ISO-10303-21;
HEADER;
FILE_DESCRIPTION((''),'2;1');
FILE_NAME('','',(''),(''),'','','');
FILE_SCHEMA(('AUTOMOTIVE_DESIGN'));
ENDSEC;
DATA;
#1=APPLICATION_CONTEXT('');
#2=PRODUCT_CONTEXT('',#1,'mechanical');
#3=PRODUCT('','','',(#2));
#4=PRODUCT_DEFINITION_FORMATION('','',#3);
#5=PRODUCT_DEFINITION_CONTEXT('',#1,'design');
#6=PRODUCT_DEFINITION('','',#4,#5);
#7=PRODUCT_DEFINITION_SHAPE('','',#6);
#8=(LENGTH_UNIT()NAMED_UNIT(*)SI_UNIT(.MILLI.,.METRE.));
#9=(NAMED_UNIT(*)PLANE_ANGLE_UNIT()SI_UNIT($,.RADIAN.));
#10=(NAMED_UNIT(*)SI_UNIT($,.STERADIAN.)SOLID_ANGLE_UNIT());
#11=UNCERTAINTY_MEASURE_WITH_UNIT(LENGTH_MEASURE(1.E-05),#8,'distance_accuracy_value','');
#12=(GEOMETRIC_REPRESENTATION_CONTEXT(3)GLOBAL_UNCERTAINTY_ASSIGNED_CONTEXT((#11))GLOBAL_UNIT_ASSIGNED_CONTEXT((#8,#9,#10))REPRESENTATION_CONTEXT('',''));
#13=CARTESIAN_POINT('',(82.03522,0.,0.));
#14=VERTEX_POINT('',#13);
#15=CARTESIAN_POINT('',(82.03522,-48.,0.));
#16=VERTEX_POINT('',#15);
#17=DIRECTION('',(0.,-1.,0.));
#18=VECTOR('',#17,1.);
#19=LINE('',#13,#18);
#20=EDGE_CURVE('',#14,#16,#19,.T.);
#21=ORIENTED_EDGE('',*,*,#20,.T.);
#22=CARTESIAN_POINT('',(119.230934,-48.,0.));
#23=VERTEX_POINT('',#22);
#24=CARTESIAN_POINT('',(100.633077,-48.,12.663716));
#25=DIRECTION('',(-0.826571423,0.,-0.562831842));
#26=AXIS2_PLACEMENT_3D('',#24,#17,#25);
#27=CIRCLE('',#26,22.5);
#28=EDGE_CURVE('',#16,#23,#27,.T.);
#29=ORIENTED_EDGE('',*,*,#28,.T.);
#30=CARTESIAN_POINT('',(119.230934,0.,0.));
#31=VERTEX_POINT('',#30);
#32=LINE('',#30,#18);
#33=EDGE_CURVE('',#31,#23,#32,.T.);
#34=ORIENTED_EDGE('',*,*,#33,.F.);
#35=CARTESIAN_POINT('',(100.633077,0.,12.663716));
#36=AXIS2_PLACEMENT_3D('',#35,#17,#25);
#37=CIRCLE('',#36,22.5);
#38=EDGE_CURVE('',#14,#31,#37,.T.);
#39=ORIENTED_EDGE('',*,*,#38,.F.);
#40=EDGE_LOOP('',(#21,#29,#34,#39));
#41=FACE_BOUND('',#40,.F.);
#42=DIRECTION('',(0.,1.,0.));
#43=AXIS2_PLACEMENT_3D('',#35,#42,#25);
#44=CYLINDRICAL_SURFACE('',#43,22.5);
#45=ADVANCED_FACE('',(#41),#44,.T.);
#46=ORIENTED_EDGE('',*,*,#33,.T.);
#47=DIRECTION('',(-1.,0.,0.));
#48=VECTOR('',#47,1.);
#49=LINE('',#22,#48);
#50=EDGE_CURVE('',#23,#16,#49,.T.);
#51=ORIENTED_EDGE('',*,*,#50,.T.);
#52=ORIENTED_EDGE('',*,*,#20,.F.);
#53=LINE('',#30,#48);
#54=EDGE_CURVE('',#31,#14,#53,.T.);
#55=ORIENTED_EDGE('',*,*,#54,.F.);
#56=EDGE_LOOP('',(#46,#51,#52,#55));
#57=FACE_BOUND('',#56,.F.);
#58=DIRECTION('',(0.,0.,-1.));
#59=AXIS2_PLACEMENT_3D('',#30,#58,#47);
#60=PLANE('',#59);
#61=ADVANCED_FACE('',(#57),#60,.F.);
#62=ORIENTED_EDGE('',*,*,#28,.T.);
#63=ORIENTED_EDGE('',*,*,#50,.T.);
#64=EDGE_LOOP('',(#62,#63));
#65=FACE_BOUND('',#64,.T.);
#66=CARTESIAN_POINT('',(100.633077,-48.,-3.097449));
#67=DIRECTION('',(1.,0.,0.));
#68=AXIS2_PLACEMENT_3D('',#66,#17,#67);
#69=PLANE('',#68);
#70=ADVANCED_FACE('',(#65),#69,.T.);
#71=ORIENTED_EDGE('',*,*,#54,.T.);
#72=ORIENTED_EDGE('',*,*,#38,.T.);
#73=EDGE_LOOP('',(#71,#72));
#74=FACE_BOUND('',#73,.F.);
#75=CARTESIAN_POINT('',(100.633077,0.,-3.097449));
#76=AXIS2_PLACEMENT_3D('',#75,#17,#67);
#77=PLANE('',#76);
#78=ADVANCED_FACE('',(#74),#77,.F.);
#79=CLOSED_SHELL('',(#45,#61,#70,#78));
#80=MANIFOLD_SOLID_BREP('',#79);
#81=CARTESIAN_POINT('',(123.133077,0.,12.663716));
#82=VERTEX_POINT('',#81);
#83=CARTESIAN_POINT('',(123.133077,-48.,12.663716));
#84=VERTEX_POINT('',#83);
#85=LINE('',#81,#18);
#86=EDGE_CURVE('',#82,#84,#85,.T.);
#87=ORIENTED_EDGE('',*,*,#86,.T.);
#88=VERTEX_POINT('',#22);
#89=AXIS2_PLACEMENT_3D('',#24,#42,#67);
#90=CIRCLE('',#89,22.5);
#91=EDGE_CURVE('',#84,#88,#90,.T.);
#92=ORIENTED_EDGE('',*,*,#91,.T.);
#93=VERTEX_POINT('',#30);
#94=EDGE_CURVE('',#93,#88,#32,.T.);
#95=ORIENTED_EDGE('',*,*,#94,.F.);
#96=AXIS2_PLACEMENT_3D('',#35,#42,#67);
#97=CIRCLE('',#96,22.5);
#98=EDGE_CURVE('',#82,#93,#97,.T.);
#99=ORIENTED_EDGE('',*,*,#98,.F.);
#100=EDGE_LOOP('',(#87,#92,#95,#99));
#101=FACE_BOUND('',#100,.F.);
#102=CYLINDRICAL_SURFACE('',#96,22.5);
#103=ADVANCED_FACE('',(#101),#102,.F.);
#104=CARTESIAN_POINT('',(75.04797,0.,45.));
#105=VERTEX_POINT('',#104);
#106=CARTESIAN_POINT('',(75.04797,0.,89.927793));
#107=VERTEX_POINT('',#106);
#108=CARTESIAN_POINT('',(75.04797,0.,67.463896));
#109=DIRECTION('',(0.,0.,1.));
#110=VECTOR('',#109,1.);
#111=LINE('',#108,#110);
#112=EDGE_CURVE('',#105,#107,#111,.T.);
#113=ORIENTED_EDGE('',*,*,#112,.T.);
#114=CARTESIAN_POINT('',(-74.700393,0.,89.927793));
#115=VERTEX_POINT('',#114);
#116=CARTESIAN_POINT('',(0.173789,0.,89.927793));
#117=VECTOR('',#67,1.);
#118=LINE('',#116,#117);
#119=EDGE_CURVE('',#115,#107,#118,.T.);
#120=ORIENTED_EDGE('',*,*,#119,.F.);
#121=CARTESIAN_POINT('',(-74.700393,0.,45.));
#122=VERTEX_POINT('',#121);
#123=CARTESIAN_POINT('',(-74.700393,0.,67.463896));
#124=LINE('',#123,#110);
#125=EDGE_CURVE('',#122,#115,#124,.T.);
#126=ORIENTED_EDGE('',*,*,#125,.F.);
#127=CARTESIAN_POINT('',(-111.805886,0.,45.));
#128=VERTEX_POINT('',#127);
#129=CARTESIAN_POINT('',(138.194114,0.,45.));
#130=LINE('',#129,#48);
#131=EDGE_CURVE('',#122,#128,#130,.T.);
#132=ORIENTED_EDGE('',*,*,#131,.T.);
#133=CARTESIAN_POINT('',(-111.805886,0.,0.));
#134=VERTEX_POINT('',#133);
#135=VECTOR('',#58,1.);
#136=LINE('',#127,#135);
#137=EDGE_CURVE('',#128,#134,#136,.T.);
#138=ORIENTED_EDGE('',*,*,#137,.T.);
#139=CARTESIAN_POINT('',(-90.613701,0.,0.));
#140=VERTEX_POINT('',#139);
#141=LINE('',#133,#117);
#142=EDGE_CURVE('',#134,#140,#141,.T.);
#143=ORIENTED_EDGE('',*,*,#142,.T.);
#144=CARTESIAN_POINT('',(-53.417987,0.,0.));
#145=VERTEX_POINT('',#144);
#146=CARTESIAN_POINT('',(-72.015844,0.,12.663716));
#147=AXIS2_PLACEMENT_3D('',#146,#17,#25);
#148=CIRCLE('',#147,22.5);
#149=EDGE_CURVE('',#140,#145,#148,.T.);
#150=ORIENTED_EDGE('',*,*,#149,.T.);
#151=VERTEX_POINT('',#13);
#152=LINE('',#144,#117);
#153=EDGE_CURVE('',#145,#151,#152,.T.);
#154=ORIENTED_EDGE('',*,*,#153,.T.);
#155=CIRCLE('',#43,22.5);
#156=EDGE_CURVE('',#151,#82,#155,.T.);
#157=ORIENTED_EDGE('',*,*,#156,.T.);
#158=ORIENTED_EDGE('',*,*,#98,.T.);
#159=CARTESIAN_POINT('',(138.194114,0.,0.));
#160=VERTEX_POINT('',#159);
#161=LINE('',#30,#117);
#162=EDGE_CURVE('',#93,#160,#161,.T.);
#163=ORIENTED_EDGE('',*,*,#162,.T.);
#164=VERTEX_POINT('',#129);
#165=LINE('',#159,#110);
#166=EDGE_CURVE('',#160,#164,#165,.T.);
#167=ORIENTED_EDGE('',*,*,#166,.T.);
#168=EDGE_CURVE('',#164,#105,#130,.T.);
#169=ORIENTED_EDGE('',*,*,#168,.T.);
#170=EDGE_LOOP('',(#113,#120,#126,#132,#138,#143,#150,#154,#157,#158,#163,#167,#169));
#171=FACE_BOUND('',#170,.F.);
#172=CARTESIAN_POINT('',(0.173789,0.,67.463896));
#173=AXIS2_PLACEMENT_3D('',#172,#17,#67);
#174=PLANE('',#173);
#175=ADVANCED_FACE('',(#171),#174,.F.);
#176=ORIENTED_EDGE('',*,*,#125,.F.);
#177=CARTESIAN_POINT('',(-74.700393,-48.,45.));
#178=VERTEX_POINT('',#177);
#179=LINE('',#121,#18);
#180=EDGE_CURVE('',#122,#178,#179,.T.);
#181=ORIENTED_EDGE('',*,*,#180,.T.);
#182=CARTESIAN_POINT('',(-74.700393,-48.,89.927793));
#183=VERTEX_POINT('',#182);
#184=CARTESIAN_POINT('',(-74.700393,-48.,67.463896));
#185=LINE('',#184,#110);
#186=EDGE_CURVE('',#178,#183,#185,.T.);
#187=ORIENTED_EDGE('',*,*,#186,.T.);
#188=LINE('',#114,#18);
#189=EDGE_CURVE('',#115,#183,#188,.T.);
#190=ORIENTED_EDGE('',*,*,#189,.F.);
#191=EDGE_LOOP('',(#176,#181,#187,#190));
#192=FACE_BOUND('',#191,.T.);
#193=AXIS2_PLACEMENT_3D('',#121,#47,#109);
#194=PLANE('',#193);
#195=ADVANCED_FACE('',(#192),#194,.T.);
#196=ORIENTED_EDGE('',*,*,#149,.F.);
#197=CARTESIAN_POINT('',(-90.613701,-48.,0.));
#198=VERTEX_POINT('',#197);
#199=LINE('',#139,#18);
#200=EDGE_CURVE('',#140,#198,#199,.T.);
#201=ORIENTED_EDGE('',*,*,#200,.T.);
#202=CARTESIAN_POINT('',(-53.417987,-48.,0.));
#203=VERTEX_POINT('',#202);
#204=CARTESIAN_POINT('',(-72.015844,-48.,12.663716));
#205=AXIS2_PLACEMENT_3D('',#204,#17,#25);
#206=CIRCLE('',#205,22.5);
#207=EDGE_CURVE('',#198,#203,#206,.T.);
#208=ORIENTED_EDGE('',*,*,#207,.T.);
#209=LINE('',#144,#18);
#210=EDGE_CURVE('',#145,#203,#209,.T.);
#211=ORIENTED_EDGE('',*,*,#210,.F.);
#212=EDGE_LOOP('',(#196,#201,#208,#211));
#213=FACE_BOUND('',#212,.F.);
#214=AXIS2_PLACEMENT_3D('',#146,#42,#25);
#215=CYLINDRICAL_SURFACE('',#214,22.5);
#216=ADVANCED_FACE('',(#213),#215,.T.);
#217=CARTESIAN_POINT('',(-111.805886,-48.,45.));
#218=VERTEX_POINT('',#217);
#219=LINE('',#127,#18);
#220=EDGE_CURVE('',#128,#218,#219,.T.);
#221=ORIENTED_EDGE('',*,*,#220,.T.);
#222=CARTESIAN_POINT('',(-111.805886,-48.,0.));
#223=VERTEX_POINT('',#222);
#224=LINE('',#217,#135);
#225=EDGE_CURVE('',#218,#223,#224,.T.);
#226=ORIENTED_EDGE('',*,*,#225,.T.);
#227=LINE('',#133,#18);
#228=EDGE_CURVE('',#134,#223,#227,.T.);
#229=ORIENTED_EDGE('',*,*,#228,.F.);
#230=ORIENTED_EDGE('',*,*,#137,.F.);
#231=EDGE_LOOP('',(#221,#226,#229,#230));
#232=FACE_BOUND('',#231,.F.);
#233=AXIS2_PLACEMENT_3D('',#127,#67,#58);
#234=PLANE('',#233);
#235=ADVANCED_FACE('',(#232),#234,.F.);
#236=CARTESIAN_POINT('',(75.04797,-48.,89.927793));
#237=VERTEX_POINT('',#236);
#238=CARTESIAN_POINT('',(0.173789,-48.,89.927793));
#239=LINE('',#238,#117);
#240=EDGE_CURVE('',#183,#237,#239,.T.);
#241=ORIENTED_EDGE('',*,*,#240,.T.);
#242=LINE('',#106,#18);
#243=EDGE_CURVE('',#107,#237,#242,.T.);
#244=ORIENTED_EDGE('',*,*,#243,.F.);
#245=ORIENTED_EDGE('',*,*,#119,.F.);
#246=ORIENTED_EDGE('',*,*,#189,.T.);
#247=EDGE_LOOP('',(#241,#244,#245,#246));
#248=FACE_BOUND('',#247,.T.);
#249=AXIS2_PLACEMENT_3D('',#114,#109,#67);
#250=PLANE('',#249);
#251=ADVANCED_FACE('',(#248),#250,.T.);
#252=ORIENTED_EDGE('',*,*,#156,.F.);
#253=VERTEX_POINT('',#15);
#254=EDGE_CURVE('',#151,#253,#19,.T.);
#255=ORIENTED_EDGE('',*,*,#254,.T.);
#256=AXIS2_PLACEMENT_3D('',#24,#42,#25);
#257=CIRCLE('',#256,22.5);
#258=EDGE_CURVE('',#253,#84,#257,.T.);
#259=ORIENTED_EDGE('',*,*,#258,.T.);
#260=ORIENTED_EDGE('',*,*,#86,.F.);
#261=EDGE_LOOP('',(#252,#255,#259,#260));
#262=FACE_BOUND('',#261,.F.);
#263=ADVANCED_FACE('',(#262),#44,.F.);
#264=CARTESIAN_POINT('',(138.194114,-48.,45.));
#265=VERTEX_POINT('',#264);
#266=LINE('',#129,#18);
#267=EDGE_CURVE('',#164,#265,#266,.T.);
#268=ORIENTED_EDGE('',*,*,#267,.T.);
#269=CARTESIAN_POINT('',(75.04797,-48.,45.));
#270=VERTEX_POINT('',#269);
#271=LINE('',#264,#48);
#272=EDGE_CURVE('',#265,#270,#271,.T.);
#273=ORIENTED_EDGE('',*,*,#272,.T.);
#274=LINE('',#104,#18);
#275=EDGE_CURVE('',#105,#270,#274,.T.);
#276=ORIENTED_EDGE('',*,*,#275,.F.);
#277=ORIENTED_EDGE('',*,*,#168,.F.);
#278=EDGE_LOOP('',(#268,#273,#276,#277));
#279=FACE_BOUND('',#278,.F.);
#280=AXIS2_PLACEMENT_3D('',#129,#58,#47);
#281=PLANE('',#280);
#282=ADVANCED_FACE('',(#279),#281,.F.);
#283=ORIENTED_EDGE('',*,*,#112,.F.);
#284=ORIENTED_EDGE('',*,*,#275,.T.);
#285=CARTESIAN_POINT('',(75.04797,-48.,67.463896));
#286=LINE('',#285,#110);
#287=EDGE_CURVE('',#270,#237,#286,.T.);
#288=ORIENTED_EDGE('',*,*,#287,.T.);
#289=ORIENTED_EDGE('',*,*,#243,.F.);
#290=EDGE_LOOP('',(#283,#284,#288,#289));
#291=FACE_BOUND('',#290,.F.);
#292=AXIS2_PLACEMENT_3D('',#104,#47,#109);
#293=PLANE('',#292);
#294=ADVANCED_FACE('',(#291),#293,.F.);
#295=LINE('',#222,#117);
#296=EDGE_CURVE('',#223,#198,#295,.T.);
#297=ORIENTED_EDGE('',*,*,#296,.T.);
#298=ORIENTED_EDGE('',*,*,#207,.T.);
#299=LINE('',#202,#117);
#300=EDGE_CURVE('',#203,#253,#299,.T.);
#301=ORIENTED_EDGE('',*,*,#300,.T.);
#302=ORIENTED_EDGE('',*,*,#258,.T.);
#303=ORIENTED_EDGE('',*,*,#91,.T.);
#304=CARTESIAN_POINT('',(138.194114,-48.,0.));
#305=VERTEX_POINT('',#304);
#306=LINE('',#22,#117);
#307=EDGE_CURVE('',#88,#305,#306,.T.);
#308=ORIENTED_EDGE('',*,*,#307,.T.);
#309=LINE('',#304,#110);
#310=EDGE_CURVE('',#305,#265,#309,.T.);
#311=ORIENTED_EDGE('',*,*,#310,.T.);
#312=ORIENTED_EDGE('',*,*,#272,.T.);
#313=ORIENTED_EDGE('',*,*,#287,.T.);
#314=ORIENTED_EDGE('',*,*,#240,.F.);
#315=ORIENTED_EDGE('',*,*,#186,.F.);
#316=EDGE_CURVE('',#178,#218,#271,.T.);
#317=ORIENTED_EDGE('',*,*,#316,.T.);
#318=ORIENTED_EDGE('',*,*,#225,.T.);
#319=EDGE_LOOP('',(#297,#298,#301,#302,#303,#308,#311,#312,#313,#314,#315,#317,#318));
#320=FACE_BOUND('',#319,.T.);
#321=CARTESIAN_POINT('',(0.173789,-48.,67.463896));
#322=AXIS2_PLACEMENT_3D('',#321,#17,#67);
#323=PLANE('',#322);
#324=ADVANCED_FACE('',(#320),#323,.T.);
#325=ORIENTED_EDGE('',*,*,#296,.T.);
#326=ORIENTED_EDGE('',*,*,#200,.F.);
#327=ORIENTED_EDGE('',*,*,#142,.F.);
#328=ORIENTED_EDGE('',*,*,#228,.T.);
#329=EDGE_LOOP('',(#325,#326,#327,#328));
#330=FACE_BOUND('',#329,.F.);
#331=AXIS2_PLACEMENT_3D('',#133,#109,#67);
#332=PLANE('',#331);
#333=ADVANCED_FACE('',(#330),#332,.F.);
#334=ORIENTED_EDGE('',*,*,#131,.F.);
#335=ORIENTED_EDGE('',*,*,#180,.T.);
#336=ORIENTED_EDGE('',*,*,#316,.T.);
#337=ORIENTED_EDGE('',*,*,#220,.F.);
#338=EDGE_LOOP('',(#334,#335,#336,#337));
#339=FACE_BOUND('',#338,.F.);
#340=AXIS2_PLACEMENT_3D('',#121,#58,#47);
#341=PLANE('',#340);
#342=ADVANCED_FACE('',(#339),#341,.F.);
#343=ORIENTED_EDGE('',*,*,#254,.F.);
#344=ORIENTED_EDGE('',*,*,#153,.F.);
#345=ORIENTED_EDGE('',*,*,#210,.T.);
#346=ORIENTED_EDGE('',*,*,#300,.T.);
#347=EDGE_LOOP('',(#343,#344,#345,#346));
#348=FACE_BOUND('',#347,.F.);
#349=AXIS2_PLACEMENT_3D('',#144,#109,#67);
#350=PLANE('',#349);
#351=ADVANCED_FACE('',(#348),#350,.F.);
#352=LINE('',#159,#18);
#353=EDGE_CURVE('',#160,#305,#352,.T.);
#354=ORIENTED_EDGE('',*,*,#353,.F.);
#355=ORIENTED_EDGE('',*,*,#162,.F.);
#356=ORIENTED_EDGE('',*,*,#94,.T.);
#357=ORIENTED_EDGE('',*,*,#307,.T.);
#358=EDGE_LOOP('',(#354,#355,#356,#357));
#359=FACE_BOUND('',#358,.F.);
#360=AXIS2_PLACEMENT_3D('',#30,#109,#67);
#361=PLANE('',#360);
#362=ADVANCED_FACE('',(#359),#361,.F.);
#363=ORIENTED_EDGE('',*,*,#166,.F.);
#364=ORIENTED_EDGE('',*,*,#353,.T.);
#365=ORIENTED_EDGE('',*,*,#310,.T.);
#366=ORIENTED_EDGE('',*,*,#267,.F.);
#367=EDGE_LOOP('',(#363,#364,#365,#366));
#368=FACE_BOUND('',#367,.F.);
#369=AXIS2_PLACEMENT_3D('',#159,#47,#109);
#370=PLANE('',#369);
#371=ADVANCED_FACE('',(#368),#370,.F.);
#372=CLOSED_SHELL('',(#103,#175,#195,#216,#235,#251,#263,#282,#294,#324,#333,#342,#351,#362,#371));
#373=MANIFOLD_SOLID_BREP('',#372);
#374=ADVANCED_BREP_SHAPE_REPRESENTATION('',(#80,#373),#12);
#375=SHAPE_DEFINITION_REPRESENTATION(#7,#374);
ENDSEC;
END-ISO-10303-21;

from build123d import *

# Parameters (mm, degrees)
F0_W     = 149.7483626008
F0_H     = 44.9277925491
F1_DEPTH = 48


with BuildPart() as f1:
    # F0 (on Front) → F1 (new body)
    with BuildSketch(Plane.XZ):
        with Locations((0.1737885177, 67.4638962746)):
            Rectangle(F0_W, F0_H)
        with BuildLine():
            ThreePointArc((-49.5158442855, 12.6637164503), (-78.6414845222, 34.1660626352), (-90.6137013036, 0))
            Line((-90.6137013036, 0), (-53.4179872674, 0))
            ThreePointArc((-53.4179872674, 0), (-50.5134981006, 6.0380762136), (-49.5158442855, 12.6637164503))
        make_face()
        with BuildLine():
            Line((-53.4179872674, 0), (-90.6137013036, 0))
            ThreePointArc((-90.6137013036, 0), (-72.0158442855, -9.8362835497), (-53.4179872674, 0))
        make_face()
        with BuildLine():
            Line((-74.7003927827, 45), (-111.8058860302, 45))
            Line((-111.8058860302, 45), (-111.8058860302, 0))
            Line((-111.8058860302, 0), (-90.6137013036, 0))
            ThreePointArc((-90.6137013036, 0), (-78.6414845222, 34.1660626352), (-49.5158442855, 12.6637164503))
            ThreePointArc((-49.5158442855, 12.6637164503), (-50.5134981006, 6.0380762136), (-53.4179872674, 0))
            Line((-53.4179872674, 0), (82.0352203053, 0))
            ThreePointArc((82.0352203053, 0), (94.0074370867, 34.1660626352), (123.1330773234, 12.6637164503))
            ThreePointArc((123.1330773234, 12.6637164503), (122.1354235083, 6.0380762136), (119.2309343415, 0))
            Line((119.2309343415, 0), (138.1941139698, 0))
            Line((138.1941139698, 0), (138.1941139698, 45))
            Line((138.1941139698, 45), (75.0479698181, 45))
            Line((75.0479698181, 45), (-74.7003927827, 45))
        make_face()
    extrude(amount=F1_DEPTH)


with BuildPart() as f1b:
    # F0 (on Front) → F1, piece 2 (new body)
    with BuildSketch(Plane.XZ):
        with BuildLine():
            Line((119.2309343415, 0), (82.0352203053, 0))
            ThreePointArc((82.0352203053, 0), (100.6330773234, -9.8362835497), (119.2309343415, 0))
        make_face()
    extrude(amount=F1_DEPTH)


solid = Compound([f1.part, f1b.part])
